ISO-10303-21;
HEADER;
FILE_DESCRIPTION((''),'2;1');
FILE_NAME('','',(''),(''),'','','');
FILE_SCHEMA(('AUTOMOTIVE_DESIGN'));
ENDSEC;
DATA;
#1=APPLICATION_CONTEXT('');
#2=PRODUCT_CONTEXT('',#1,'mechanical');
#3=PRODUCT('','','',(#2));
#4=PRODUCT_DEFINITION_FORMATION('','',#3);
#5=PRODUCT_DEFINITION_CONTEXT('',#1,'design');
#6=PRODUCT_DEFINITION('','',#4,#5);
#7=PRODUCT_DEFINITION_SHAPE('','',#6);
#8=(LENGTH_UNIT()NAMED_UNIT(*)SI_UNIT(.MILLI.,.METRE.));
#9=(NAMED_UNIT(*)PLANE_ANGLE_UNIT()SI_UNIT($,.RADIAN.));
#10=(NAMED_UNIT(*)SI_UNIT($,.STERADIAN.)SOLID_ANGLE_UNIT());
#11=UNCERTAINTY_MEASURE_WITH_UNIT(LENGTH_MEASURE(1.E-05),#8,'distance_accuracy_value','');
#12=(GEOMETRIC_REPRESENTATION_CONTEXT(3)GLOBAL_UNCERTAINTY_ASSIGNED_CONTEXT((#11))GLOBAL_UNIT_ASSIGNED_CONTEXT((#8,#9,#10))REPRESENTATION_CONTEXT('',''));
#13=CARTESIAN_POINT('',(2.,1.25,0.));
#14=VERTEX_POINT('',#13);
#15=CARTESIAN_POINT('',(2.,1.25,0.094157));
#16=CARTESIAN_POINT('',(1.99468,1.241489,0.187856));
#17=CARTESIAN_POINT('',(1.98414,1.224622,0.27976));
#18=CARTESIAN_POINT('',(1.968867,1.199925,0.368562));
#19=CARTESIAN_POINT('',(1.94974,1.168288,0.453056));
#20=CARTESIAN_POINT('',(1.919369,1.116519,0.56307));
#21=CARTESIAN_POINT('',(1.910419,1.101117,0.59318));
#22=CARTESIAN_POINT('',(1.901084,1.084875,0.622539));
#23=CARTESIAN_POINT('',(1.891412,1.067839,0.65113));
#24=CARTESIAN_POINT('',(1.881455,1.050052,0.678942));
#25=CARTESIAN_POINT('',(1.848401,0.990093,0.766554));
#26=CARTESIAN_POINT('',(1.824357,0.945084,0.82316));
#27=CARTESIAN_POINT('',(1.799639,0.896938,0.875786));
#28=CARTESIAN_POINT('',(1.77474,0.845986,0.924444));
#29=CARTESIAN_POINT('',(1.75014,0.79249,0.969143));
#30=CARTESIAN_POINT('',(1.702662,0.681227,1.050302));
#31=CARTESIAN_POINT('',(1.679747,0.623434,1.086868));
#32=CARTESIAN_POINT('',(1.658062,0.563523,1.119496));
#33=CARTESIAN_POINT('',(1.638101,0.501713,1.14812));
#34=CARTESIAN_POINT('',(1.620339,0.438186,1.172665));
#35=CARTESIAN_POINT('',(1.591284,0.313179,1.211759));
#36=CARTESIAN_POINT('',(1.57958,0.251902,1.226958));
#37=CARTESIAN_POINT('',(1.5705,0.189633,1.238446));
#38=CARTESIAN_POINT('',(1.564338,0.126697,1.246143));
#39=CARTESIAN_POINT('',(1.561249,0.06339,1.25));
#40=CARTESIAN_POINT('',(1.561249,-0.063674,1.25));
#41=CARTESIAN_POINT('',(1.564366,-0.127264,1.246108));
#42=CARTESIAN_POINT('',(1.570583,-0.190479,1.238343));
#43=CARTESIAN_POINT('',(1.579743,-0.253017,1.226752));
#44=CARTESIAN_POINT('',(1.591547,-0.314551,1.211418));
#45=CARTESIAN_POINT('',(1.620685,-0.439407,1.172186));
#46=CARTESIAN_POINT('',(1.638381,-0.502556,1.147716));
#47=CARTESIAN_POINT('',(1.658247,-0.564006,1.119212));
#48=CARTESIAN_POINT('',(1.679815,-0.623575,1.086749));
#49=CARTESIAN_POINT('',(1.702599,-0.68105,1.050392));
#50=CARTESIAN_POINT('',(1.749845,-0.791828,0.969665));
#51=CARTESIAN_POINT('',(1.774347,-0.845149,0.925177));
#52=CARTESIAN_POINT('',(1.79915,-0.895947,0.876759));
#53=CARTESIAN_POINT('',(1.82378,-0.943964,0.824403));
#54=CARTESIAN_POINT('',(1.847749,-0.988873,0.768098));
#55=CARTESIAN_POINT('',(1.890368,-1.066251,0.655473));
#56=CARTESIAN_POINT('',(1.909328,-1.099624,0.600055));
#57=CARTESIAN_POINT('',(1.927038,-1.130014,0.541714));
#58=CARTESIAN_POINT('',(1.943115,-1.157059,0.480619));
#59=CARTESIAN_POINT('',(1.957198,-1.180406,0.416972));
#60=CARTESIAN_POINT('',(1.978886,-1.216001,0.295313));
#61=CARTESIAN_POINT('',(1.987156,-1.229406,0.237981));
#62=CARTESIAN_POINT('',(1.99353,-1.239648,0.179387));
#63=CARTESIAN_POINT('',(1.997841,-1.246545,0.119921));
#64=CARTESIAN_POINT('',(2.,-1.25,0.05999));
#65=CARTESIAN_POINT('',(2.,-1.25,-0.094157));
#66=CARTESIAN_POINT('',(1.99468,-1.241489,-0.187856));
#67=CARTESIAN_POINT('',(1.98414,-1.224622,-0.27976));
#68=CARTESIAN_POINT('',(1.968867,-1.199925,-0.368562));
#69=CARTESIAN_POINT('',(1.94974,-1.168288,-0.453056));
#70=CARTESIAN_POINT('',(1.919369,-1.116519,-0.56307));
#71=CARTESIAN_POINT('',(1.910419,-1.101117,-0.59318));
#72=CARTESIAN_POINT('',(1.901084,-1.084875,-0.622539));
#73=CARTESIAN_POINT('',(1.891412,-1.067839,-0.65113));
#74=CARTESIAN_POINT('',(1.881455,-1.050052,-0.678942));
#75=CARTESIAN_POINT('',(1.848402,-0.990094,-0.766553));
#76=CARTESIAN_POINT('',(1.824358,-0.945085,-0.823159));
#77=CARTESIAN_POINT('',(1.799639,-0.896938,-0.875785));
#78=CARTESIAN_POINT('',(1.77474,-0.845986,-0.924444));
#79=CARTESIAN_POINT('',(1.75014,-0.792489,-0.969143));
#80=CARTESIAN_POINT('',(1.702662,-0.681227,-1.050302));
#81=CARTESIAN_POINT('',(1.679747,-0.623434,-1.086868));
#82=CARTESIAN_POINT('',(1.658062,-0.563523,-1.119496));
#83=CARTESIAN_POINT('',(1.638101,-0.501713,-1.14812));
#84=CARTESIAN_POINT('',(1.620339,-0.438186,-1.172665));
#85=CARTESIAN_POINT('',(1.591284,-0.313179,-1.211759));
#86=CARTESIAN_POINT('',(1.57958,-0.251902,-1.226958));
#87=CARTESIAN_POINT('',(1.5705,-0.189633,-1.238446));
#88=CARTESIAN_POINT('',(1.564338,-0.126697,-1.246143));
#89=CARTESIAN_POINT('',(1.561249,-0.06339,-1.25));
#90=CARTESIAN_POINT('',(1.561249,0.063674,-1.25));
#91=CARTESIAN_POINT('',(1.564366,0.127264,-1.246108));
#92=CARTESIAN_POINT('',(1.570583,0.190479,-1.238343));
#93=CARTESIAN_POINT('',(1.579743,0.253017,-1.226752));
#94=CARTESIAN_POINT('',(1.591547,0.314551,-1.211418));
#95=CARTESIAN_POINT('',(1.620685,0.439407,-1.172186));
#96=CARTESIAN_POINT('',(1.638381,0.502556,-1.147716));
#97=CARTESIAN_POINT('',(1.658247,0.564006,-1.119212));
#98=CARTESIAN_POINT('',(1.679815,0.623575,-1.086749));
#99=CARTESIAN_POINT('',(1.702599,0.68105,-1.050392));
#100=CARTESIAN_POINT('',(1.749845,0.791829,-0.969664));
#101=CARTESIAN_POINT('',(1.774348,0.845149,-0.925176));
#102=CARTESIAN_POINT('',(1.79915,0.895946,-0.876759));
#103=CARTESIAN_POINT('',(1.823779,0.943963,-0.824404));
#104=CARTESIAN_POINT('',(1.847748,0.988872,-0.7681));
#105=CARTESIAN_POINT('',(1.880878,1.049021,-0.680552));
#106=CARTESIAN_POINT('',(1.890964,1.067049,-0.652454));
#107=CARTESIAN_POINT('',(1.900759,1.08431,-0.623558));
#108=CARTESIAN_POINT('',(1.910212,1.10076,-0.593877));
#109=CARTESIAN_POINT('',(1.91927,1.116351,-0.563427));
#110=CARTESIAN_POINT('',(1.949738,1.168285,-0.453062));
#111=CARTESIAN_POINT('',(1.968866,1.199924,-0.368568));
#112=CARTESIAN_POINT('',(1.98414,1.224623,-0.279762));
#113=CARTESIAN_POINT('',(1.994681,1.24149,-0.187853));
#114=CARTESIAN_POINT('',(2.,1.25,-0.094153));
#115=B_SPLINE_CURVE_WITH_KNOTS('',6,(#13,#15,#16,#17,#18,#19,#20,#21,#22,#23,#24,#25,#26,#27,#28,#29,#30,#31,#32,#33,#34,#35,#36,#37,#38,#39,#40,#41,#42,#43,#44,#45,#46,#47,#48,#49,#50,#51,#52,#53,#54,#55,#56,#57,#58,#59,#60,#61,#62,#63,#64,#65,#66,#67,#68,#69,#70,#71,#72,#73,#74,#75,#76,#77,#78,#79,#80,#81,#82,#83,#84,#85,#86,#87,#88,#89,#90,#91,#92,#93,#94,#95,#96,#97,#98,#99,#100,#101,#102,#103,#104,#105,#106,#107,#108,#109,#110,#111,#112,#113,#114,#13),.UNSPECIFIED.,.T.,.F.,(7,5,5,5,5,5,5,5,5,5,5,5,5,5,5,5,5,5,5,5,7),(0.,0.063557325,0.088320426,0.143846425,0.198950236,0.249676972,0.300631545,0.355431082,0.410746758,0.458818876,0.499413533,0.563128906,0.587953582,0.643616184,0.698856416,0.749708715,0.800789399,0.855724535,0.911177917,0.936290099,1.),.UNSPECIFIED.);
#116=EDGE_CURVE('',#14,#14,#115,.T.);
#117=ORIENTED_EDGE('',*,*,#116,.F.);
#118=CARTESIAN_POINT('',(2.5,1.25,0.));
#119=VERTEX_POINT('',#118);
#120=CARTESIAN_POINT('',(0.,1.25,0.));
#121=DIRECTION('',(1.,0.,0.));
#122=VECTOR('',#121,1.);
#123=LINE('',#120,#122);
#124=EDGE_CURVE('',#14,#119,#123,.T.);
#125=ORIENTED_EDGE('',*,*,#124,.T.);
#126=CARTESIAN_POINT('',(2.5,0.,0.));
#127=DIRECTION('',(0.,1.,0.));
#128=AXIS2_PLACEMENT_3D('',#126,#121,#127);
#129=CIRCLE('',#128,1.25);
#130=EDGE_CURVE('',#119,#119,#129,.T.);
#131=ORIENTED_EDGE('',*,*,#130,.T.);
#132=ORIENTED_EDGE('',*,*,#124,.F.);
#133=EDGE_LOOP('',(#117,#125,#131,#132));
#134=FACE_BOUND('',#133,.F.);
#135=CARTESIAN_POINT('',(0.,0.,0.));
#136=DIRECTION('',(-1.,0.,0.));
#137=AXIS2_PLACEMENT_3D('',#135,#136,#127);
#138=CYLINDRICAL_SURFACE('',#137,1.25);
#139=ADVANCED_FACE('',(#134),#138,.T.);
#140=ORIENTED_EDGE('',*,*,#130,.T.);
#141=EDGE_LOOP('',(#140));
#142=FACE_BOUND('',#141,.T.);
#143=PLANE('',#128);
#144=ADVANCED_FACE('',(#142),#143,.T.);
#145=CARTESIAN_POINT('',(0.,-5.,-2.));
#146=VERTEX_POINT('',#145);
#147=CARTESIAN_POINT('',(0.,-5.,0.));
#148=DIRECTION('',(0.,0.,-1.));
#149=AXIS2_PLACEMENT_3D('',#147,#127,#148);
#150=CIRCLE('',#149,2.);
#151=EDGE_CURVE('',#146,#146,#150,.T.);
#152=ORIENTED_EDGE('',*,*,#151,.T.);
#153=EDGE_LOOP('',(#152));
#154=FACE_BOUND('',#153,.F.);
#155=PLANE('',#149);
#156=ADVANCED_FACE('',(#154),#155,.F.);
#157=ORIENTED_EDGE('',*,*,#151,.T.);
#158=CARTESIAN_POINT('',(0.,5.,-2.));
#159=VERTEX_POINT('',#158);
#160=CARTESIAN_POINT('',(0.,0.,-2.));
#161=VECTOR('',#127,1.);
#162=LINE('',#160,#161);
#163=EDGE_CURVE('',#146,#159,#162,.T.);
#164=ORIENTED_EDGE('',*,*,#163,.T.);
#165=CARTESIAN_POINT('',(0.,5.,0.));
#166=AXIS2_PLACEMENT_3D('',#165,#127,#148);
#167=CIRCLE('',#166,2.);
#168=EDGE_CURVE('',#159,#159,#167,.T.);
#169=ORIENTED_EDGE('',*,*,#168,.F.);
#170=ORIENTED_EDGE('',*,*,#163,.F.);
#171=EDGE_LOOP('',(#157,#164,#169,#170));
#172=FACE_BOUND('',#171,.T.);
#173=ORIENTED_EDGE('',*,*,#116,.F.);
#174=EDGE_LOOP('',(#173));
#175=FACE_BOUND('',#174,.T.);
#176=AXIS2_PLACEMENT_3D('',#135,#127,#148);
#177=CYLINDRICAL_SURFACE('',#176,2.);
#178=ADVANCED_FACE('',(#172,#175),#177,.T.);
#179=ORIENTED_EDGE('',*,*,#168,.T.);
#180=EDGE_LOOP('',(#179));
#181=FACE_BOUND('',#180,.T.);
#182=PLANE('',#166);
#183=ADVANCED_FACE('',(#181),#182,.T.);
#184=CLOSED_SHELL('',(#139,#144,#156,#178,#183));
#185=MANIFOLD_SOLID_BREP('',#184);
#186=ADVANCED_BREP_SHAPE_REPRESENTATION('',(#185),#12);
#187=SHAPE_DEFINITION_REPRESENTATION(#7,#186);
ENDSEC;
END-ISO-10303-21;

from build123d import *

# Parameters (mm, degrees)
F0_W     = 10
F0_H     = 2
F2_R     = 1.25
F3_DEPTH = 2.5


with BuildPart() as f1:
    # F0 (on Right) → F1 (revolve)
    with BuildSketch(Plane.YZ):
        with Locations((0, -1)):
            Rectangle(F0_W, F0_H)
    revolve(axis=Axis((0, 5, 0), (0, 1, 0)))

    # F2 (on Right) → F3 (join)
    with BuildSketch(Plane.YZ):
        Circle(F2_R)
    extrude(amount=F3_DEPTH)


solid = f1.part
